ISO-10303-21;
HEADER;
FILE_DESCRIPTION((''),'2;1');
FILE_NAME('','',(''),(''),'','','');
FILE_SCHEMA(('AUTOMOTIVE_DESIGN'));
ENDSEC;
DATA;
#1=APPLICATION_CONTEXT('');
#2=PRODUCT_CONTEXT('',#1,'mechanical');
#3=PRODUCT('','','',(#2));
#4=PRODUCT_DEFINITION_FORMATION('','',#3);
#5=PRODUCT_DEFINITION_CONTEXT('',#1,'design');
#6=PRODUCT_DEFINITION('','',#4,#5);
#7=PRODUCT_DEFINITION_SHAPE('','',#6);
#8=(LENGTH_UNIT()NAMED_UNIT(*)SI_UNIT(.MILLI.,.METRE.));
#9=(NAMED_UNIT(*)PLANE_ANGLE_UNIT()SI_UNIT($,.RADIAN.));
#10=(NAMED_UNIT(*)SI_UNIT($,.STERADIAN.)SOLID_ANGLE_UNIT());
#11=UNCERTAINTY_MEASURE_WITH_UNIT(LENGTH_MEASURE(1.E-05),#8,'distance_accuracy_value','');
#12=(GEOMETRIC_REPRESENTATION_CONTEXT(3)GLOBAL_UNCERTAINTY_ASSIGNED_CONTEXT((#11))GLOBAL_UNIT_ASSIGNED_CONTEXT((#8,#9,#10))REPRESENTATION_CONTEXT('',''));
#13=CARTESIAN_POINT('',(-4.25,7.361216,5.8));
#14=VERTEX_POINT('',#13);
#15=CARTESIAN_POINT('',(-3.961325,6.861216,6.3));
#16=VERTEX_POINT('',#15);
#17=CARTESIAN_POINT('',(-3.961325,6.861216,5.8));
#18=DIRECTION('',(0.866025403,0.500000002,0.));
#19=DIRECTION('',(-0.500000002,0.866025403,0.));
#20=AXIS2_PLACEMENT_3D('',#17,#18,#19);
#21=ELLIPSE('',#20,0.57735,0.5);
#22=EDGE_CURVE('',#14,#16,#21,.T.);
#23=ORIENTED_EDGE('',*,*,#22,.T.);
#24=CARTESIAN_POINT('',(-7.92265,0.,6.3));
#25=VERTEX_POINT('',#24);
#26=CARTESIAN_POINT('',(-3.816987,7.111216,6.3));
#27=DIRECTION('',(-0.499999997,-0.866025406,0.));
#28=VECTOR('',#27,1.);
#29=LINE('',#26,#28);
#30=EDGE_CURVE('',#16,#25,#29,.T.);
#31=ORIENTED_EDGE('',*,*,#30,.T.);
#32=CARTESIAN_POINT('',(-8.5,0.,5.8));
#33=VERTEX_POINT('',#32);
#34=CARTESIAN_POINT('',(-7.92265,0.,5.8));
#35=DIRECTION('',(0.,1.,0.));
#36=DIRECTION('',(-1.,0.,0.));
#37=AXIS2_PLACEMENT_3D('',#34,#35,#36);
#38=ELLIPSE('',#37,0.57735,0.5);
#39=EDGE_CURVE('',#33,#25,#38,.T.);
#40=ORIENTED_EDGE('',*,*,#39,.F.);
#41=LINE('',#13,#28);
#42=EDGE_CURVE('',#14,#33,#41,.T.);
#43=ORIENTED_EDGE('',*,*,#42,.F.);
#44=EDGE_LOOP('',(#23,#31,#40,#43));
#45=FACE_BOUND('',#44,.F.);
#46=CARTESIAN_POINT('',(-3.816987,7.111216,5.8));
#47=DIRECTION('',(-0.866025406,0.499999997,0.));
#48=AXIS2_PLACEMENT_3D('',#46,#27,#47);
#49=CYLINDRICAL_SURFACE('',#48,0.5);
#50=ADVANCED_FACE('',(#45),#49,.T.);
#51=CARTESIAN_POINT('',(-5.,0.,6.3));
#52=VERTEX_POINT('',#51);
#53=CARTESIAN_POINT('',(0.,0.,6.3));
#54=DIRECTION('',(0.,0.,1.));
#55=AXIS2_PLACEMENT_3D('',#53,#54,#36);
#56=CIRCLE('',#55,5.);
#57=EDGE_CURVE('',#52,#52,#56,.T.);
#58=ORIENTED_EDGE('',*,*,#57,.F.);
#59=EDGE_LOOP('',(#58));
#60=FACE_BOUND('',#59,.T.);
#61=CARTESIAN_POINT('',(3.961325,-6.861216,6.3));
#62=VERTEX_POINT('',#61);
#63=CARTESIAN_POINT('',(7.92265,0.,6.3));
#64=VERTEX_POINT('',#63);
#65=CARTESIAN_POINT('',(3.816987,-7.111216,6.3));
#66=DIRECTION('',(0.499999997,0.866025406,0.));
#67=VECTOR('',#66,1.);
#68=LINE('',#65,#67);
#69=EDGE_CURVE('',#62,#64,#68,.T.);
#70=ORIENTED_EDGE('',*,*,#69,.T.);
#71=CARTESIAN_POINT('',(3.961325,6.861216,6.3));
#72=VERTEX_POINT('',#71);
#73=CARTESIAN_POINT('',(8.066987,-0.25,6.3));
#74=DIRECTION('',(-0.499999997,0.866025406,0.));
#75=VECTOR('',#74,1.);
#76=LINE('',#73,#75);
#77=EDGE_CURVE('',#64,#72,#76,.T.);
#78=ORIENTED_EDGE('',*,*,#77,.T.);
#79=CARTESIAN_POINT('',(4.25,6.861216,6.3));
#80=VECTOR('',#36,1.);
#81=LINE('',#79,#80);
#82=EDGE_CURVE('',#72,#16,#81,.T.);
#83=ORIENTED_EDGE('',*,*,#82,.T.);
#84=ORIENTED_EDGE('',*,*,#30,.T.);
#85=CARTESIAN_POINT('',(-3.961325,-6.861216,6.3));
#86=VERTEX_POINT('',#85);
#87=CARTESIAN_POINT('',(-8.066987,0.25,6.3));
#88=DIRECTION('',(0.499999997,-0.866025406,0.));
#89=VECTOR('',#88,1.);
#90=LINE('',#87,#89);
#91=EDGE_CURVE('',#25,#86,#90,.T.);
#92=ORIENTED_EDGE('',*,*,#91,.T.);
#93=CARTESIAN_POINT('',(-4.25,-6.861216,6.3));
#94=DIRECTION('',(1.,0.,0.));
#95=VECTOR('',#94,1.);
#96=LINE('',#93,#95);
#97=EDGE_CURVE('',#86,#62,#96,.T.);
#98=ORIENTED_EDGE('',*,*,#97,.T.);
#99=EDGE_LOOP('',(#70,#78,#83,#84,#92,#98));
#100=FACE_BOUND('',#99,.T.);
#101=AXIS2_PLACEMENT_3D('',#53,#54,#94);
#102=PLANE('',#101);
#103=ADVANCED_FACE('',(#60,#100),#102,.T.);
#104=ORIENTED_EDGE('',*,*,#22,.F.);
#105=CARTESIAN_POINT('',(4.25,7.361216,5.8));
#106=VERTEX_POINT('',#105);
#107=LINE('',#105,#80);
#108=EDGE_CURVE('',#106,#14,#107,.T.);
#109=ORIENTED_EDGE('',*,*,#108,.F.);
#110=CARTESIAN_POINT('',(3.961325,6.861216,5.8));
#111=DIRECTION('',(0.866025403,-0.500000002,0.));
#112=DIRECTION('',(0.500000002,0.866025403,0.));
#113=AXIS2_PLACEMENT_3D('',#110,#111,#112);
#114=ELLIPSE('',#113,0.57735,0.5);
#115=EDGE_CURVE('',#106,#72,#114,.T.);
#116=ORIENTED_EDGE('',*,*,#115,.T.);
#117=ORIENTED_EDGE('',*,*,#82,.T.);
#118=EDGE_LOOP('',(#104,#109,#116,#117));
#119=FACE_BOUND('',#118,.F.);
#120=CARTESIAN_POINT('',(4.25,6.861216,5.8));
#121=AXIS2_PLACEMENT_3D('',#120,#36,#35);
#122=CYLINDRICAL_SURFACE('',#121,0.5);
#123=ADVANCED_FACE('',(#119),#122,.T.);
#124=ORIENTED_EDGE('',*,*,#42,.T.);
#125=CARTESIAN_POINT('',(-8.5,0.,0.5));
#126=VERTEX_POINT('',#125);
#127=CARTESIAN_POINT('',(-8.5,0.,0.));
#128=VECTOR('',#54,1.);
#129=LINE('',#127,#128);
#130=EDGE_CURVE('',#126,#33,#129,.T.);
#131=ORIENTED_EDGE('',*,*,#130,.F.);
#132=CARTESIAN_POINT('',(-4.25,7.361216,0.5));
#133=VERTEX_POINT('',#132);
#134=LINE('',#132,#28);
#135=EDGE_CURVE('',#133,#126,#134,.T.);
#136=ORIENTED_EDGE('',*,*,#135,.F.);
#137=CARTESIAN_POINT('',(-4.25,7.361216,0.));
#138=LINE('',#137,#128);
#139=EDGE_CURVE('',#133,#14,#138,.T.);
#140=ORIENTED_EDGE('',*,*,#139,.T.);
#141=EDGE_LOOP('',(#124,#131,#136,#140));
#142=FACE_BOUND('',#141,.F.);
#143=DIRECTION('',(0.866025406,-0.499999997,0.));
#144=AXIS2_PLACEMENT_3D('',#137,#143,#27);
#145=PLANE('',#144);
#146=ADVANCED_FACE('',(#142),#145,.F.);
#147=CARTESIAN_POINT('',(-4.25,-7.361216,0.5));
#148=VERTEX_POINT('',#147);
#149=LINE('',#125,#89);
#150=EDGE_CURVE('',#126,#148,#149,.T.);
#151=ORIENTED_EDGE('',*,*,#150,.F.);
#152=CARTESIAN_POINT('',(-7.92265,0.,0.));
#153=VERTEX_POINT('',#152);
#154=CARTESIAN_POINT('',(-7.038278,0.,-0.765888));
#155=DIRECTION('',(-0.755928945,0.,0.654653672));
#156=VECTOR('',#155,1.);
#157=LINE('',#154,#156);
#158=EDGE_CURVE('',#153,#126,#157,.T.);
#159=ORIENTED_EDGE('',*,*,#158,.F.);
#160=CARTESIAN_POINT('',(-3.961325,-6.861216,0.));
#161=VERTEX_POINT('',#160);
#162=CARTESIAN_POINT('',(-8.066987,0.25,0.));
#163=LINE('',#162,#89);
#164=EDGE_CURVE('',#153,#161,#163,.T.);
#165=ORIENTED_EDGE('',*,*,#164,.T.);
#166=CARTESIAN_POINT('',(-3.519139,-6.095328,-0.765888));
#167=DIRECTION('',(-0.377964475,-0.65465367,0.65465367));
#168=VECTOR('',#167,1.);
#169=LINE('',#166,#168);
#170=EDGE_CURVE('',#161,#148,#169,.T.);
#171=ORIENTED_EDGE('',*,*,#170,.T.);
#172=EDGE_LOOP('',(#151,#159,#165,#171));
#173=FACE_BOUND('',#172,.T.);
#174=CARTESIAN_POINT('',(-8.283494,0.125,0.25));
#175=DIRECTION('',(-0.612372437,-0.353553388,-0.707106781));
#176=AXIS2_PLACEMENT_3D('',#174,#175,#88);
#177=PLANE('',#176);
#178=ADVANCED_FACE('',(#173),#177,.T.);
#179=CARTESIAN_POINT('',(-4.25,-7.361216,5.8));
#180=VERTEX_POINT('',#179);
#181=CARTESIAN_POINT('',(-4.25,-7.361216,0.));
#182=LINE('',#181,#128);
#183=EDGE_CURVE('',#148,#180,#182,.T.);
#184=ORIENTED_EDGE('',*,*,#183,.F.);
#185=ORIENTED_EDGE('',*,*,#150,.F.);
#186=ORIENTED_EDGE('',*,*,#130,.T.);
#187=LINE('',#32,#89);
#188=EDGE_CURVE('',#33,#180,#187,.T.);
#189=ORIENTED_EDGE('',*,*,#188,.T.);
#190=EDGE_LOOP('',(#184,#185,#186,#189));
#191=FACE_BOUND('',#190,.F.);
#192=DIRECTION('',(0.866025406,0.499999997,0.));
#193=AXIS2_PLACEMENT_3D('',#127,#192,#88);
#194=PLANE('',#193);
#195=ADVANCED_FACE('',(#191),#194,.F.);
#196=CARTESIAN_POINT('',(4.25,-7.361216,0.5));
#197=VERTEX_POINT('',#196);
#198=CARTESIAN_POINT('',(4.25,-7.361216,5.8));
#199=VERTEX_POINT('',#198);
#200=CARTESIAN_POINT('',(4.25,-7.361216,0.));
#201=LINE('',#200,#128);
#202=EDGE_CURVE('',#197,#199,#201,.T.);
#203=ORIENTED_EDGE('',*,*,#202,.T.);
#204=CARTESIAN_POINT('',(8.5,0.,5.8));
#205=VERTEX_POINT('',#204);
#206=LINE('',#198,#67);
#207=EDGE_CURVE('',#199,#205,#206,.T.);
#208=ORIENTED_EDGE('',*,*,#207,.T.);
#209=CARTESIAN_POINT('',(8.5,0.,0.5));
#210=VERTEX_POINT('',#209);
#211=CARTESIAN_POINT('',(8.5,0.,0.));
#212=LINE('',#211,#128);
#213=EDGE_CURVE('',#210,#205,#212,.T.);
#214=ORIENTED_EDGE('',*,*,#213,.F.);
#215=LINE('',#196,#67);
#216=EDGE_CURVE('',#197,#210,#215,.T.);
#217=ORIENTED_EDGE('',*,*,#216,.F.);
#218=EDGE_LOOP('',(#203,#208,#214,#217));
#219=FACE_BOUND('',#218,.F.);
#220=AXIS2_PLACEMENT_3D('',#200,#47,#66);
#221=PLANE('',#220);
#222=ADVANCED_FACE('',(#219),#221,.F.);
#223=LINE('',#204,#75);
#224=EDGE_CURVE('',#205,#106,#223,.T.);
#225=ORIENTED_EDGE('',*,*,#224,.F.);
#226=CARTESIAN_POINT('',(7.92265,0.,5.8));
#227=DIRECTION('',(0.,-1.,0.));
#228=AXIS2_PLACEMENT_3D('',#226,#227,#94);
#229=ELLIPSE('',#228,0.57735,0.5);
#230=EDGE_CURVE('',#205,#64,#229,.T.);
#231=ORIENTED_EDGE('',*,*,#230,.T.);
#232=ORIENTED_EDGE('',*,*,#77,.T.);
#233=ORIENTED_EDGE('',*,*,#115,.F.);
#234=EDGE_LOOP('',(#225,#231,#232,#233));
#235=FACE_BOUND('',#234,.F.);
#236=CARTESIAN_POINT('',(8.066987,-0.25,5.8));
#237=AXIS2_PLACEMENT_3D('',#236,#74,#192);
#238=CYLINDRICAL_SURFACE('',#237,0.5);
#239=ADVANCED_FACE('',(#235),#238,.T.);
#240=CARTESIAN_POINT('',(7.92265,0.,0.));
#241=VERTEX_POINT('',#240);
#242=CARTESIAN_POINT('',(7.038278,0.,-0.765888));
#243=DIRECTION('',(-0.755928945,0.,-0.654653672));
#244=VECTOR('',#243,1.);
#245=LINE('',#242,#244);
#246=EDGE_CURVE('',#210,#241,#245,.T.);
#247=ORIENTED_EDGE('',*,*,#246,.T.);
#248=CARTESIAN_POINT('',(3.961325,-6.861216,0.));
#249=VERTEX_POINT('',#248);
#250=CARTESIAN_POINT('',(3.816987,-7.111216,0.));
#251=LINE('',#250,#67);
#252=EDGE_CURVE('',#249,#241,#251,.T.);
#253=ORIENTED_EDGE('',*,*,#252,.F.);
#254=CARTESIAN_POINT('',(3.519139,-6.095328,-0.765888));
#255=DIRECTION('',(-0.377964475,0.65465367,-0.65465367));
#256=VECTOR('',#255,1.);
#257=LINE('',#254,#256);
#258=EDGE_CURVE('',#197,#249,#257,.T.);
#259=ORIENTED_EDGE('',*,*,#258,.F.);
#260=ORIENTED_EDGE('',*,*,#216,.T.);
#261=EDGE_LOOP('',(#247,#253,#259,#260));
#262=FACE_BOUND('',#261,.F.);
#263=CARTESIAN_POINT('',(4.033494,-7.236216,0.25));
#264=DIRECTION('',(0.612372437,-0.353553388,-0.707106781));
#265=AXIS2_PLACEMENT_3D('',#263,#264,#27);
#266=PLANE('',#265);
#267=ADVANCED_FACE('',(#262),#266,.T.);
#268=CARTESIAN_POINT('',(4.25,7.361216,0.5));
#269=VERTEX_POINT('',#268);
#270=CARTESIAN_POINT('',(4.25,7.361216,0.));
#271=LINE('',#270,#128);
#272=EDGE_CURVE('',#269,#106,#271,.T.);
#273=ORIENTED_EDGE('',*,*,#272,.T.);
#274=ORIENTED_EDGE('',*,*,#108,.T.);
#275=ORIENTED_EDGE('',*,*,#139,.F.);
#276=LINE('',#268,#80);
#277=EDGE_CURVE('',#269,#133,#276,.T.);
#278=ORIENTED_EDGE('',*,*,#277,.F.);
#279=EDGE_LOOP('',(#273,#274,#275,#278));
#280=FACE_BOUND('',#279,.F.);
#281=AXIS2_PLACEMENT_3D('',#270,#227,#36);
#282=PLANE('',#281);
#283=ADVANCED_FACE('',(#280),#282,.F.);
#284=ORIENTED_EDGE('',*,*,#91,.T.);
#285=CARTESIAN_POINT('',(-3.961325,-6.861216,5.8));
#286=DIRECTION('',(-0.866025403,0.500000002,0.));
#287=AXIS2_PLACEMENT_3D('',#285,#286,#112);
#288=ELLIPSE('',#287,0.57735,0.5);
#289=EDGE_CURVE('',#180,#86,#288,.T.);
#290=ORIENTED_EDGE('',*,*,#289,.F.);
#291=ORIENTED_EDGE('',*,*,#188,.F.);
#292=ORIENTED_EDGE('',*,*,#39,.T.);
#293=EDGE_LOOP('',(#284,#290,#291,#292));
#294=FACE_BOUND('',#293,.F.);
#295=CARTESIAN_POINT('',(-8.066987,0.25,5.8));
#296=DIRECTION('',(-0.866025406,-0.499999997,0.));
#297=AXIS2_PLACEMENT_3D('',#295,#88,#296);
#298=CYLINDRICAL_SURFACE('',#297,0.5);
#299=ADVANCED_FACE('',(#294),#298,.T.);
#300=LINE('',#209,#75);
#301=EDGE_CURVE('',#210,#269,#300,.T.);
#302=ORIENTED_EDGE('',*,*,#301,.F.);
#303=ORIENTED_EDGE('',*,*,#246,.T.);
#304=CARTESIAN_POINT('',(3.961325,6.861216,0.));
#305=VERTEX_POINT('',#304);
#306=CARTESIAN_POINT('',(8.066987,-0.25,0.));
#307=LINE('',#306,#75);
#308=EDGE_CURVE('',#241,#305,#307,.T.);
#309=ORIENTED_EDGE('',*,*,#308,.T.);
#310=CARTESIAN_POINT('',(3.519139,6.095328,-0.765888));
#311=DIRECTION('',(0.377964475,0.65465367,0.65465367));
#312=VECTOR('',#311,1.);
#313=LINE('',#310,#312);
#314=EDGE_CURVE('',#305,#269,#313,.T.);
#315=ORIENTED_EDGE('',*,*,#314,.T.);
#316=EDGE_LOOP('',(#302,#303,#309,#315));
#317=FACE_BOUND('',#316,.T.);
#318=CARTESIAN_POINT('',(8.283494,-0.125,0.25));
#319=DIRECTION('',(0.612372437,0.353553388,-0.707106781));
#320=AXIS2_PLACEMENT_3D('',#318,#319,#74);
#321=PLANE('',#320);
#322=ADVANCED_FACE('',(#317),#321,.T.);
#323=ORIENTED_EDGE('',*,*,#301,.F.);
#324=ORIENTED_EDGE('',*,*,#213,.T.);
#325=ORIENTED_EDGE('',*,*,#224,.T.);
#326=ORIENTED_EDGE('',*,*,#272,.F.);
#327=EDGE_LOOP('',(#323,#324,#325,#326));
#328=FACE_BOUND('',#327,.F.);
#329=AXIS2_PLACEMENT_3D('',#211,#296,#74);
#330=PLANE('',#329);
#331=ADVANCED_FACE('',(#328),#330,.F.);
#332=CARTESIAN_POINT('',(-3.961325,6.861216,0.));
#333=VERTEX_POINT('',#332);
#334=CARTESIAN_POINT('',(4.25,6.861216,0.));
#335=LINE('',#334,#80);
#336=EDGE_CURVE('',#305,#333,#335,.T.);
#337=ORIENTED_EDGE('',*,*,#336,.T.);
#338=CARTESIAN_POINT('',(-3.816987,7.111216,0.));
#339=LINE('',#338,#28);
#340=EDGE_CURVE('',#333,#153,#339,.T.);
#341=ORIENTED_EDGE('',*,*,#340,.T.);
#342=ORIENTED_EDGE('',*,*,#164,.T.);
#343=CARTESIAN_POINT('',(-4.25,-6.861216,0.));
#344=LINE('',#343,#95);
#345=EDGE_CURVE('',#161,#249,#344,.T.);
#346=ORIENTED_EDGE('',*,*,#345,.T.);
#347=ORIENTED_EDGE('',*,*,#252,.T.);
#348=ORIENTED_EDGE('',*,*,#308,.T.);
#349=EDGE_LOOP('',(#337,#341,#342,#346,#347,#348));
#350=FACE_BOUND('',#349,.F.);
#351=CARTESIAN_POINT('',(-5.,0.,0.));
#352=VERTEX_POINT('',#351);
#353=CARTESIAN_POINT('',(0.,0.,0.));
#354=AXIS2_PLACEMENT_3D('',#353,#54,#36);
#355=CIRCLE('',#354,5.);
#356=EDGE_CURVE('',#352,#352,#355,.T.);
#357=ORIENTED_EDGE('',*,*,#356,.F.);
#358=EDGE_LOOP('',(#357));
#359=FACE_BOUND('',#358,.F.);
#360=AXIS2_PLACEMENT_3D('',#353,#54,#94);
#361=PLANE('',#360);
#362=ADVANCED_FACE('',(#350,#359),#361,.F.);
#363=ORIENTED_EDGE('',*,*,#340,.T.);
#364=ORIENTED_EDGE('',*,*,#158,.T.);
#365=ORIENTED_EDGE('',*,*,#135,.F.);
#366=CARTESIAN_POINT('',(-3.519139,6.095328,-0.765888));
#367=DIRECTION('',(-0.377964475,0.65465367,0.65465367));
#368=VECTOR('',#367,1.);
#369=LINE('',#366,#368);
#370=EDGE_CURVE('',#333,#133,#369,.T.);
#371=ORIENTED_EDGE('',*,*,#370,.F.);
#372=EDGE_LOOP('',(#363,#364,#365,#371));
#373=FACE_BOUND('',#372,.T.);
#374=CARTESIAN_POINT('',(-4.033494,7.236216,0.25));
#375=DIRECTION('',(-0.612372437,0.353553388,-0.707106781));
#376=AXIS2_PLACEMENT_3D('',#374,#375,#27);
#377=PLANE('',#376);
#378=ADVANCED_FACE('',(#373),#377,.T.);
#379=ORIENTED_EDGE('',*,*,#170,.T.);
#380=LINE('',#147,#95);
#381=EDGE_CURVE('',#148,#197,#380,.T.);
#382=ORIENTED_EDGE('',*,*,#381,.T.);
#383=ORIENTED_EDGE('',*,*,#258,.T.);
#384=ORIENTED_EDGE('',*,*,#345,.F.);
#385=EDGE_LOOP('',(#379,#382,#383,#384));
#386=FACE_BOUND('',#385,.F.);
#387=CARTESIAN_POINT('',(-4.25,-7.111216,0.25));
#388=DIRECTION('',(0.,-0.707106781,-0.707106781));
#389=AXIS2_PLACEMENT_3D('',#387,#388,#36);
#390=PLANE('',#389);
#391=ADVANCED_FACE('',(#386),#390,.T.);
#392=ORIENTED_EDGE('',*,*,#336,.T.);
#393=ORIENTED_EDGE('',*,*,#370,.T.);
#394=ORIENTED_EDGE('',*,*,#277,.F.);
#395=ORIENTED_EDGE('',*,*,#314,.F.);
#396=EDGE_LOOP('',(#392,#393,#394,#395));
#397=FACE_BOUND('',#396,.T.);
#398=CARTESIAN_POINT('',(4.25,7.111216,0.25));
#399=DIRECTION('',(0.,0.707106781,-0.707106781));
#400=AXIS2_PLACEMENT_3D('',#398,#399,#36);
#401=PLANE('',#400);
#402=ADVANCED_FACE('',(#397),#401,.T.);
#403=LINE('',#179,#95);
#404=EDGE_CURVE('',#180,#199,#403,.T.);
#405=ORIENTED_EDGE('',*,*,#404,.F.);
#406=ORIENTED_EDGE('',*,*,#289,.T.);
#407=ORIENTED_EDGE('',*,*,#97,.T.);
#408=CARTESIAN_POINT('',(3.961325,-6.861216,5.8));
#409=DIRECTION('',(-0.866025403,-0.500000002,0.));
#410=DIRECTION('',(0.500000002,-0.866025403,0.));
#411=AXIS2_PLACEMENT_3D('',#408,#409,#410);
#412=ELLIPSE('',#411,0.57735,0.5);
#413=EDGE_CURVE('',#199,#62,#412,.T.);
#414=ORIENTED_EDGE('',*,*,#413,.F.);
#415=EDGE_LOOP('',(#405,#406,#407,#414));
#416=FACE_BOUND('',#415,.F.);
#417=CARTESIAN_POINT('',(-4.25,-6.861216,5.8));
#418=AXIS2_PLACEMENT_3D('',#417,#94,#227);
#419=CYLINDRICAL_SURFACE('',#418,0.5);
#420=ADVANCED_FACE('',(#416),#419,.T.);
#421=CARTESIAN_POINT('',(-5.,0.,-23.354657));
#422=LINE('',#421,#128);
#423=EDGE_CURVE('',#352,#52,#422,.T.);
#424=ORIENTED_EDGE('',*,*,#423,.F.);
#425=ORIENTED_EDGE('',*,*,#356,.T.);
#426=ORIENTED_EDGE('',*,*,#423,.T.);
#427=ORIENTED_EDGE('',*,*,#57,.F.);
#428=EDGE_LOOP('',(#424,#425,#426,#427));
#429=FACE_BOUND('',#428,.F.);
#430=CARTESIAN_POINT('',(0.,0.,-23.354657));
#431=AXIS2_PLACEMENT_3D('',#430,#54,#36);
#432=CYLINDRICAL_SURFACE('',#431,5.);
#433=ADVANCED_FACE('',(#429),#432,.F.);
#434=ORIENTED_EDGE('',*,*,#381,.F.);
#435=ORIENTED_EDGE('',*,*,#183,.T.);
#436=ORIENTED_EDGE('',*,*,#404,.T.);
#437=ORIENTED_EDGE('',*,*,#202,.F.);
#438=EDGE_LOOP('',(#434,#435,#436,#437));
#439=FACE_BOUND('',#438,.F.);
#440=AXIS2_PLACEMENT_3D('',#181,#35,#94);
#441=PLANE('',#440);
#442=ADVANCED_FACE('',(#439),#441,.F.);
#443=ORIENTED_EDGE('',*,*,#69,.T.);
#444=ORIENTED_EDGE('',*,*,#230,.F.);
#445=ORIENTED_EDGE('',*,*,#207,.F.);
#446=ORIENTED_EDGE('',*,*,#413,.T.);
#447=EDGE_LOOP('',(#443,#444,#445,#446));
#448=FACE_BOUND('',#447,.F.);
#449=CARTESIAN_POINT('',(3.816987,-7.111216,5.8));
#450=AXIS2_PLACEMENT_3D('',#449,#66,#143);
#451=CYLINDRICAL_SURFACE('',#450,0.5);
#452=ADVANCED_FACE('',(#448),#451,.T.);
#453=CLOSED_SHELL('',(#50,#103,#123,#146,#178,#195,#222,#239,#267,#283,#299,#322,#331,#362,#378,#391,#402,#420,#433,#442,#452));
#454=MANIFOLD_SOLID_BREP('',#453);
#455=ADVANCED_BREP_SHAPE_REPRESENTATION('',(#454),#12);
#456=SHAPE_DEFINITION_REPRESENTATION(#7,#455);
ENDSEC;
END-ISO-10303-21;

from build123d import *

# Parameters (mm, degrees)
F1_DEPTH = 6.3
F3_R     = 0.5
F4_D     = 10
F5_SIZE  = 0.5


with BuildPart() as f1:
    # F0 (on Top) → F1 (new body)
    with BuildSketch(Plane.XY):
        Polygon((4.25, -7.361216), (8.5, 0), (4.25, 7.361216), (-4.25, 7.361216), (-8.5, 0), (-4.25, -7.361216), align=None)
    extrude(amount=F1_DEPTH)

    # F3
    f3_edges = [f1.edges().sort_by_distance(p)[0] for p in [
        (0, -7.361216, 6.3),
        (6.375, -3.680608, 6.3),
        (6.375, 3.680608, 6.3),
        (0, 7.361216, 6.3),
        (-6.375, 3.680608, 6.3),
        (-6.375, -3.680608, 6.3),
    ]]
    fillet(f3_edges, radius=F3_R)

    # F4 (through all)
    with Locations(Plane(origin=(0, 0, 0), x_dir=(1, 0, 0), z_dir=(0, 0, -1))):
        with Locations((0, 0)):
            Hole(F4_D / 2)

    # F5
    f5_edges = [f1.edges().sort_by_distance(p)[0] for p in [
        (-6.375, 3.680608, 0),
        (0, 7.361216, 0),
        (-6.375, -3.680608, 0),
        (0, -7.361216, 0),
        (6.375, -3.680608, 0),
        (6.375, 3.680608, 0),
    ]]
    chamfer(f5_edges, length=F5_SIZE)


solid = f1.part
